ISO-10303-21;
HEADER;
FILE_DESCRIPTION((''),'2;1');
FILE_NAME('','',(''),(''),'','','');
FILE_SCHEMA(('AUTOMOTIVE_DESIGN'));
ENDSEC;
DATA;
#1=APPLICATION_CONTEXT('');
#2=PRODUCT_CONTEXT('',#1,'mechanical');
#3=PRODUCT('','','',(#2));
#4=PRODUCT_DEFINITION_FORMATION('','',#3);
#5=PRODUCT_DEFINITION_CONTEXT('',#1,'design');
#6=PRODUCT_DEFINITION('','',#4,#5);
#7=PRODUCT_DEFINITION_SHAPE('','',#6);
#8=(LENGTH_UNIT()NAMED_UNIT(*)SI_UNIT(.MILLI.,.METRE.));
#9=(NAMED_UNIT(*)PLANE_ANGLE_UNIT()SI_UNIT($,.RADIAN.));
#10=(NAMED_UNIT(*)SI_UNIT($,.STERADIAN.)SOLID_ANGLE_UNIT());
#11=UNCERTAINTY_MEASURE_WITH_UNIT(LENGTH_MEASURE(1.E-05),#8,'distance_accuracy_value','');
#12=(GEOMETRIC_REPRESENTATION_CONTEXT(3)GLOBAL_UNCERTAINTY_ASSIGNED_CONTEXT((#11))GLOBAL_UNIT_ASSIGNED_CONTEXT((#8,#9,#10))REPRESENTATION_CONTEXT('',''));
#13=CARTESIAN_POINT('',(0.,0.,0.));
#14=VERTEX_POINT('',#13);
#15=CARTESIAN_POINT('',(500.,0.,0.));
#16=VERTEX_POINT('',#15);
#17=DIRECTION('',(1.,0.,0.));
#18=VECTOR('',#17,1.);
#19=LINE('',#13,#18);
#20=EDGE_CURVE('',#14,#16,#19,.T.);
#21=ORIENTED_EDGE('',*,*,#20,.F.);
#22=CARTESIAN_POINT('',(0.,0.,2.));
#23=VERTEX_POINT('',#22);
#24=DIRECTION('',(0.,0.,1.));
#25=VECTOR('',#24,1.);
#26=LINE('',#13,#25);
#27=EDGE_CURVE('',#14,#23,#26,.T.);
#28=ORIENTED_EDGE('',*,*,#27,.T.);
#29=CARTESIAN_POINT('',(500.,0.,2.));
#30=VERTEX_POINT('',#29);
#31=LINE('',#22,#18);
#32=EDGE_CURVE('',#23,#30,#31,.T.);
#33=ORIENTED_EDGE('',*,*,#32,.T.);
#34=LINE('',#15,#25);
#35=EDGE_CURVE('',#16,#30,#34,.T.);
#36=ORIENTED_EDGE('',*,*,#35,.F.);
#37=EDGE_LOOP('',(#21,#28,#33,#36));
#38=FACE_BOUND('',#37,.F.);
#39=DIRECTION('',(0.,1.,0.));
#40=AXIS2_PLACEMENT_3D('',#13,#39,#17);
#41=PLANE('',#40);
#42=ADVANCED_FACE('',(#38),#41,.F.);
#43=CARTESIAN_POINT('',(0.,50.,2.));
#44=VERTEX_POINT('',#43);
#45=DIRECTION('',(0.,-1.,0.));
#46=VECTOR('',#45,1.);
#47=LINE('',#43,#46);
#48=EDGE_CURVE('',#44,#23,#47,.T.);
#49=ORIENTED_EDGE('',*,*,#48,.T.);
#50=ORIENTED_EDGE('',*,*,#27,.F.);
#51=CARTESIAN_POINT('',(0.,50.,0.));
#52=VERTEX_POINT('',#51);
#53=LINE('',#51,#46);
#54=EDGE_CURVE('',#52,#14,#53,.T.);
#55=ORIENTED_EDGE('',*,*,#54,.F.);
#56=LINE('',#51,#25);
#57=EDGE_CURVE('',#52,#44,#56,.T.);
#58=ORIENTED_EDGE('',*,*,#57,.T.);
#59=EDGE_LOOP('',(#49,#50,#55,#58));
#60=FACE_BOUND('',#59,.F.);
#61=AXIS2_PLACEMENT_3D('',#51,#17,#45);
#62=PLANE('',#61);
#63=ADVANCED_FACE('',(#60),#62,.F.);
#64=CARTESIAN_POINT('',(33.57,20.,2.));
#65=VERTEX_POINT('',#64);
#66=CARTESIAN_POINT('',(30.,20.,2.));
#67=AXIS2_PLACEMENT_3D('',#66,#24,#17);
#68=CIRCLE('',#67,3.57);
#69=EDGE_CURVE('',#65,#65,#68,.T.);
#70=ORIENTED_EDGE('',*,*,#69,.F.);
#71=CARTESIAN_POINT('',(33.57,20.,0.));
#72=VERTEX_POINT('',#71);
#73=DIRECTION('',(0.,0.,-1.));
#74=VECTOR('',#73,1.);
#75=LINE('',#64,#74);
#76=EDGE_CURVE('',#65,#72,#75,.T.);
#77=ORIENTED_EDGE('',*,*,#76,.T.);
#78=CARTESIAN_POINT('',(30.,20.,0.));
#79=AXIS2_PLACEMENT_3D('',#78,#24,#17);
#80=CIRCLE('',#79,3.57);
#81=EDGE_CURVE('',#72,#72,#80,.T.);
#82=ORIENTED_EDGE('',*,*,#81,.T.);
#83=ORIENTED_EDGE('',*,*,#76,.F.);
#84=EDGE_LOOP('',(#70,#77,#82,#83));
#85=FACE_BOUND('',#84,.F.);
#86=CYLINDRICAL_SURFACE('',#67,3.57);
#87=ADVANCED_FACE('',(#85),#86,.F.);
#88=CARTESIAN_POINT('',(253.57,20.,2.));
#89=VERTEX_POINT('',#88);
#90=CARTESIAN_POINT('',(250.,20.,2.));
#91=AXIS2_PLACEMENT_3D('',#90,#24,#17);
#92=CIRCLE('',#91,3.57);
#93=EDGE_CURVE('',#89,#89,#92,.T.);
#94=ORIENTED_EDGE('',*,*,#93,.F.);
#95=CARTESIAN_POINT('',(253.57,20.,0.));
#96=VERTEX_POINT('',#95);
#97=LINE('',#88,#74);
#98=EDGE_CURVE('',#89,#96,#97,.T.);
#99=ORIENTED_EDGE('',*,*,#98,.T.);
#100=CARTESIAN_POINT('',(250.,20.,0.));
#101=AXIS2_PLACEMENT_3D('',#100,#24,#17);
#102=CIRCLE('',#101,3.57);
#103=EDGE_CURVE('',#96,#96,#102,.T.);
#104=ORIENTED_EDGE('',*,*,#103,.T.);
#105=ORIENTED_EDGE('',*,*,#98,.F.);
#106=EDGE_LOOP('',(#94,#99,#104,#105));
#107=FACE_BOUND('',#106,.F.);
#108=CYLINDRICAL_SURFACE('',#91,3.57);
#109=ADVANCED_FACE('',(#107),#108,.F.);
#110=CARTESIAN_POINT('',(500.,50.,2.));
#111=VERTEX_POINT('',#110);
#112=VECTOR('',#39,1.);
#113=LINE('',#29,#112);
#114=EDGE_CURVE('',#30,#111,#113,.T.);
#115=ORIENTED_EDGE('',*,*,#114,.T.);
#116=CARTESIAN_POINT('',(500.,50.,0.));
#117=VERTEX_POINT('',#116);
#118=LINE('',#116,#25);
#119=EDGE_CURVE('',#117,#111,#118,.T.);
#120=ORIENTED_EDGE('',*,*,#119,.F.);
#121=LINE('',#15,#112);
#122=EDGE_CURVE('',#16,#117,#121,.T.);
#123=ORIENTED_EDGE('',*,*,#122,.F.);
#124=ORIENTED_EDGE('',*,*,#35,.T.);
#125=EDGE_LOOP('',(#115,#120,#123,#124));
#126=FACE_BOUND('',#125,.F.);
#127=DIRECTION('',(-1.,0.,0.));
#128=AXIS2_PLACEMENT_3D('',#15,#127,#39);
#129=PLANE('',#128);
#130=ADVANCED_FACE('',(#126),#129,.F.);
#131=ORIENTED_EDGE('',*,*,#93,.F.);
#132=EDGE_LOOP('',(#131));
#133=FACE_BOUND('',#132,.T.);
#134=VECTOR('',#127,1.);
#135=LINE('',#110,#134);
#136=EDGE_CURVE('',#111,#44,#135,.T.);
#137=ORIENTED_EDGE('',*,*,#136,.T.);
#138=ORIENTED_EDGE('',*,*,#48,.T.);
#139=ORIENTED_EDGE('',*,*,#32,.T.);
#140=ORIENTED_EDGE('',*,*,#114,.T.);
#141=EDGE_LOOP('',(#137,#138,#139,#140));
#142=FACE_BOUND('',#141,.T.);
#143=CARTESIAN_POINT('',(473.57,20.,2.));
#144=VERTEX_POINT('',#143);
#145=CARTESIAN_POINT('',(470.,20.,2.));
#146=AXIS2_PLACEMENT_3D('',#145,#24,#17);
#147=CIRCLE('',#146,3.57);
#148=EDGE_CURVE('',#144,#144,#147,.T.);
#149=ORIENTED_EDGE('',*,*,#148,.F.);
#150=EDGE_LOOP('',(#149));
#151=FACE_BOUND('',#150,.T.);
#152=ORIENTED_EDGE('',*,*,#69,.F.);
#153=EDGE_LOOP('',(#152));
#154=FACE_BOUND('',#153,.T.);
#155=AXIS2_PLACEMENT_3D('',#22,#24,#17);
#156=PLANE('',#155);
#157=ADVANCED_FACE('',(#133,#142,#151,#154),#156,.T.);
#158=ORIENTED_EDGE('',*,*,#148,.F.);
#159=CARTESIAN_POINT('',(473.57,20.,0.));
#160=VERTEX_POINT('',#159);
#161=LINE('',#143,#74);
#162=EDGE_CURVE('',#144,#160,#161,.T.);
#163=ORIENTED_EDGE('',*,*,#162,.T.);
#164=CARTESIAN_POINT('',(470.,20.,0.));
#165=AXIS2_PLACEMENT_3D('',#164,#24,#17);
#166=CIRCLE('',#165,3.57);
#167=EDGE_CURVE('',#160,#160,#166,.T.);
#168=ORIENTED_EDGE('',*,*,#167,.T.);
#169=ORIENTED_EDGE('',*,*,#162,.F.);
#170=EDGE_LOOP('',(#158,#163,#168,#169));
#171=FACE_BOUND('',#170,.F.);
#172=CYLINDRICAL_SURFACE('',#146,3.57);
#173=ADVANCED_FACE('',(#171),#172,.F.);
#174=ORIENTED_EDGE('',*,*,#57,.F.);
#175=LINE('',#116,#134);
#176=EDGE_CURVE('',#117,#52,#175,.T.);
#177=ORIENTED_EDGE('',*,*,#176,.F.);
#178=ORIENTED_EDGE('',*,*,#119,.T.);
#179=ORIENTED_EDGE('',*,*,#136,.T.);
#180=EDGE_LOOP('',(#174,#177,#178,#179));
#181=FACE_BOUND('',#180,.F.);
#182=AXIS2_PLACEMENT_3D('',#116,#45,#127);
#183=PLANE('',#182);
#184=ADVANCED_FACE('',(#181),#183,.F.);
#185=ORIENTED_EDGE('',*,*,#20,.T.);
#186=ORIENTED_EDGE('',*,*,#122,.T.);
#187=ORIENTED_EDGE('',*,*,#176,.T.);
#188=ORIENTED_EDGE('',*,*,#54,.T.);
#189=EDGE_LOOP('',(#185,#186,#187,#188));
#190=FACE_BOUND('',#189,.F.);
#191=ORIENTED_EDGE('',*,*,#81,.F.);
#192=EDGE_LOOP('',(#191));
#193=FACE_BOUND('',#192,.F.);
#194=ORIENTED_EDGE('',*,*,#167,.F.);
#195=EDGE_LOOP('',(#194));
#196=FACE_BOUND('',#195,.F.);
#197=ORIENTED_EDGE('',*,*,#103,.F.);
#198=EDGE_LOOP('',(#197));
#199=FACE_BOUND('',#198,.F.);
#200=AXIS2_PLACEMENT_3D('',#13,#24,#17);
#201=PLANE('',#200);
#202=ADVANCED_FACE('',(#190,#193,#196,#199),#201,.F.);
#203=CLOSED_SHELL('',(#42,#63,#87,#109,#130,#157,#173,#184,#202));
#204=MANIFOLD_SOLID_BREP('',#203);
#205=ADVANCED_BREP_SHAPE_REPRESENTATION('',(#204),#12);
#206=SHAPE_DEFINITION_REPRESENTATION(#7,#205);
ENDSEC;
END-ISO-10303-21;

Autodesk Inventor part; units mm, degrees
ref_plane "YZ Plane" through (0, 0, 0) normal (1, 0, 0) x (0, 1, 0)
ref_plane "XZ Plane" through (0, 0, 0) normal (0, 1, 0) x (-1, 0, 0)
ref_plane "XY Plane" through (0, 0, 0) normal (0, 0, 1) x (1, 0, 0)
sketch "Sketch3" plane through (0, 0, 0) normal (0, 0, 1) x (1, 0, 0)
  line L0 (0, 0) -> (500, 0)
  line L1 (500, 0) -> (500, 50)
  line L2 (500, 50) -> (0, 50)
  line L3 (0, 50) -> (0, 0)
  dimension "d5" = 50
  dimension "d6" = 500
extrude "Extrusion3" add sketch "Sketch3" along normal blind 2
sketch "Sketch6" plane through (0, 0, 2) normal (0, 0, 1) x (1, 0, 0)
  circle A0 centre (30, 20) radius 3.57
  line L0 (0, 0) -> (500, 0) projected
  circle A1 centre (250, 20) radius 3.57
  circle A2 centre (470, 20) radius 3.57
  line L1 (0, 50) -> (0, 0) projected
  line L2 (500, 0) -> (500, 50) projected
  dimension "d19" = 7.14
  dimension "d22" = 20
  dimension "d23" = 7.14
  dimension "d24" = 7.14
  dimension "d25" = 30
  dimension "d26" = 20
  dimension "d27" = 250
  dimension "d28" = 20
  dimension "d29" = 30
extrude "Extrusion4" cut sketch "Sketch6" against normal up to next
properties part number "Panel_5x50cm"
